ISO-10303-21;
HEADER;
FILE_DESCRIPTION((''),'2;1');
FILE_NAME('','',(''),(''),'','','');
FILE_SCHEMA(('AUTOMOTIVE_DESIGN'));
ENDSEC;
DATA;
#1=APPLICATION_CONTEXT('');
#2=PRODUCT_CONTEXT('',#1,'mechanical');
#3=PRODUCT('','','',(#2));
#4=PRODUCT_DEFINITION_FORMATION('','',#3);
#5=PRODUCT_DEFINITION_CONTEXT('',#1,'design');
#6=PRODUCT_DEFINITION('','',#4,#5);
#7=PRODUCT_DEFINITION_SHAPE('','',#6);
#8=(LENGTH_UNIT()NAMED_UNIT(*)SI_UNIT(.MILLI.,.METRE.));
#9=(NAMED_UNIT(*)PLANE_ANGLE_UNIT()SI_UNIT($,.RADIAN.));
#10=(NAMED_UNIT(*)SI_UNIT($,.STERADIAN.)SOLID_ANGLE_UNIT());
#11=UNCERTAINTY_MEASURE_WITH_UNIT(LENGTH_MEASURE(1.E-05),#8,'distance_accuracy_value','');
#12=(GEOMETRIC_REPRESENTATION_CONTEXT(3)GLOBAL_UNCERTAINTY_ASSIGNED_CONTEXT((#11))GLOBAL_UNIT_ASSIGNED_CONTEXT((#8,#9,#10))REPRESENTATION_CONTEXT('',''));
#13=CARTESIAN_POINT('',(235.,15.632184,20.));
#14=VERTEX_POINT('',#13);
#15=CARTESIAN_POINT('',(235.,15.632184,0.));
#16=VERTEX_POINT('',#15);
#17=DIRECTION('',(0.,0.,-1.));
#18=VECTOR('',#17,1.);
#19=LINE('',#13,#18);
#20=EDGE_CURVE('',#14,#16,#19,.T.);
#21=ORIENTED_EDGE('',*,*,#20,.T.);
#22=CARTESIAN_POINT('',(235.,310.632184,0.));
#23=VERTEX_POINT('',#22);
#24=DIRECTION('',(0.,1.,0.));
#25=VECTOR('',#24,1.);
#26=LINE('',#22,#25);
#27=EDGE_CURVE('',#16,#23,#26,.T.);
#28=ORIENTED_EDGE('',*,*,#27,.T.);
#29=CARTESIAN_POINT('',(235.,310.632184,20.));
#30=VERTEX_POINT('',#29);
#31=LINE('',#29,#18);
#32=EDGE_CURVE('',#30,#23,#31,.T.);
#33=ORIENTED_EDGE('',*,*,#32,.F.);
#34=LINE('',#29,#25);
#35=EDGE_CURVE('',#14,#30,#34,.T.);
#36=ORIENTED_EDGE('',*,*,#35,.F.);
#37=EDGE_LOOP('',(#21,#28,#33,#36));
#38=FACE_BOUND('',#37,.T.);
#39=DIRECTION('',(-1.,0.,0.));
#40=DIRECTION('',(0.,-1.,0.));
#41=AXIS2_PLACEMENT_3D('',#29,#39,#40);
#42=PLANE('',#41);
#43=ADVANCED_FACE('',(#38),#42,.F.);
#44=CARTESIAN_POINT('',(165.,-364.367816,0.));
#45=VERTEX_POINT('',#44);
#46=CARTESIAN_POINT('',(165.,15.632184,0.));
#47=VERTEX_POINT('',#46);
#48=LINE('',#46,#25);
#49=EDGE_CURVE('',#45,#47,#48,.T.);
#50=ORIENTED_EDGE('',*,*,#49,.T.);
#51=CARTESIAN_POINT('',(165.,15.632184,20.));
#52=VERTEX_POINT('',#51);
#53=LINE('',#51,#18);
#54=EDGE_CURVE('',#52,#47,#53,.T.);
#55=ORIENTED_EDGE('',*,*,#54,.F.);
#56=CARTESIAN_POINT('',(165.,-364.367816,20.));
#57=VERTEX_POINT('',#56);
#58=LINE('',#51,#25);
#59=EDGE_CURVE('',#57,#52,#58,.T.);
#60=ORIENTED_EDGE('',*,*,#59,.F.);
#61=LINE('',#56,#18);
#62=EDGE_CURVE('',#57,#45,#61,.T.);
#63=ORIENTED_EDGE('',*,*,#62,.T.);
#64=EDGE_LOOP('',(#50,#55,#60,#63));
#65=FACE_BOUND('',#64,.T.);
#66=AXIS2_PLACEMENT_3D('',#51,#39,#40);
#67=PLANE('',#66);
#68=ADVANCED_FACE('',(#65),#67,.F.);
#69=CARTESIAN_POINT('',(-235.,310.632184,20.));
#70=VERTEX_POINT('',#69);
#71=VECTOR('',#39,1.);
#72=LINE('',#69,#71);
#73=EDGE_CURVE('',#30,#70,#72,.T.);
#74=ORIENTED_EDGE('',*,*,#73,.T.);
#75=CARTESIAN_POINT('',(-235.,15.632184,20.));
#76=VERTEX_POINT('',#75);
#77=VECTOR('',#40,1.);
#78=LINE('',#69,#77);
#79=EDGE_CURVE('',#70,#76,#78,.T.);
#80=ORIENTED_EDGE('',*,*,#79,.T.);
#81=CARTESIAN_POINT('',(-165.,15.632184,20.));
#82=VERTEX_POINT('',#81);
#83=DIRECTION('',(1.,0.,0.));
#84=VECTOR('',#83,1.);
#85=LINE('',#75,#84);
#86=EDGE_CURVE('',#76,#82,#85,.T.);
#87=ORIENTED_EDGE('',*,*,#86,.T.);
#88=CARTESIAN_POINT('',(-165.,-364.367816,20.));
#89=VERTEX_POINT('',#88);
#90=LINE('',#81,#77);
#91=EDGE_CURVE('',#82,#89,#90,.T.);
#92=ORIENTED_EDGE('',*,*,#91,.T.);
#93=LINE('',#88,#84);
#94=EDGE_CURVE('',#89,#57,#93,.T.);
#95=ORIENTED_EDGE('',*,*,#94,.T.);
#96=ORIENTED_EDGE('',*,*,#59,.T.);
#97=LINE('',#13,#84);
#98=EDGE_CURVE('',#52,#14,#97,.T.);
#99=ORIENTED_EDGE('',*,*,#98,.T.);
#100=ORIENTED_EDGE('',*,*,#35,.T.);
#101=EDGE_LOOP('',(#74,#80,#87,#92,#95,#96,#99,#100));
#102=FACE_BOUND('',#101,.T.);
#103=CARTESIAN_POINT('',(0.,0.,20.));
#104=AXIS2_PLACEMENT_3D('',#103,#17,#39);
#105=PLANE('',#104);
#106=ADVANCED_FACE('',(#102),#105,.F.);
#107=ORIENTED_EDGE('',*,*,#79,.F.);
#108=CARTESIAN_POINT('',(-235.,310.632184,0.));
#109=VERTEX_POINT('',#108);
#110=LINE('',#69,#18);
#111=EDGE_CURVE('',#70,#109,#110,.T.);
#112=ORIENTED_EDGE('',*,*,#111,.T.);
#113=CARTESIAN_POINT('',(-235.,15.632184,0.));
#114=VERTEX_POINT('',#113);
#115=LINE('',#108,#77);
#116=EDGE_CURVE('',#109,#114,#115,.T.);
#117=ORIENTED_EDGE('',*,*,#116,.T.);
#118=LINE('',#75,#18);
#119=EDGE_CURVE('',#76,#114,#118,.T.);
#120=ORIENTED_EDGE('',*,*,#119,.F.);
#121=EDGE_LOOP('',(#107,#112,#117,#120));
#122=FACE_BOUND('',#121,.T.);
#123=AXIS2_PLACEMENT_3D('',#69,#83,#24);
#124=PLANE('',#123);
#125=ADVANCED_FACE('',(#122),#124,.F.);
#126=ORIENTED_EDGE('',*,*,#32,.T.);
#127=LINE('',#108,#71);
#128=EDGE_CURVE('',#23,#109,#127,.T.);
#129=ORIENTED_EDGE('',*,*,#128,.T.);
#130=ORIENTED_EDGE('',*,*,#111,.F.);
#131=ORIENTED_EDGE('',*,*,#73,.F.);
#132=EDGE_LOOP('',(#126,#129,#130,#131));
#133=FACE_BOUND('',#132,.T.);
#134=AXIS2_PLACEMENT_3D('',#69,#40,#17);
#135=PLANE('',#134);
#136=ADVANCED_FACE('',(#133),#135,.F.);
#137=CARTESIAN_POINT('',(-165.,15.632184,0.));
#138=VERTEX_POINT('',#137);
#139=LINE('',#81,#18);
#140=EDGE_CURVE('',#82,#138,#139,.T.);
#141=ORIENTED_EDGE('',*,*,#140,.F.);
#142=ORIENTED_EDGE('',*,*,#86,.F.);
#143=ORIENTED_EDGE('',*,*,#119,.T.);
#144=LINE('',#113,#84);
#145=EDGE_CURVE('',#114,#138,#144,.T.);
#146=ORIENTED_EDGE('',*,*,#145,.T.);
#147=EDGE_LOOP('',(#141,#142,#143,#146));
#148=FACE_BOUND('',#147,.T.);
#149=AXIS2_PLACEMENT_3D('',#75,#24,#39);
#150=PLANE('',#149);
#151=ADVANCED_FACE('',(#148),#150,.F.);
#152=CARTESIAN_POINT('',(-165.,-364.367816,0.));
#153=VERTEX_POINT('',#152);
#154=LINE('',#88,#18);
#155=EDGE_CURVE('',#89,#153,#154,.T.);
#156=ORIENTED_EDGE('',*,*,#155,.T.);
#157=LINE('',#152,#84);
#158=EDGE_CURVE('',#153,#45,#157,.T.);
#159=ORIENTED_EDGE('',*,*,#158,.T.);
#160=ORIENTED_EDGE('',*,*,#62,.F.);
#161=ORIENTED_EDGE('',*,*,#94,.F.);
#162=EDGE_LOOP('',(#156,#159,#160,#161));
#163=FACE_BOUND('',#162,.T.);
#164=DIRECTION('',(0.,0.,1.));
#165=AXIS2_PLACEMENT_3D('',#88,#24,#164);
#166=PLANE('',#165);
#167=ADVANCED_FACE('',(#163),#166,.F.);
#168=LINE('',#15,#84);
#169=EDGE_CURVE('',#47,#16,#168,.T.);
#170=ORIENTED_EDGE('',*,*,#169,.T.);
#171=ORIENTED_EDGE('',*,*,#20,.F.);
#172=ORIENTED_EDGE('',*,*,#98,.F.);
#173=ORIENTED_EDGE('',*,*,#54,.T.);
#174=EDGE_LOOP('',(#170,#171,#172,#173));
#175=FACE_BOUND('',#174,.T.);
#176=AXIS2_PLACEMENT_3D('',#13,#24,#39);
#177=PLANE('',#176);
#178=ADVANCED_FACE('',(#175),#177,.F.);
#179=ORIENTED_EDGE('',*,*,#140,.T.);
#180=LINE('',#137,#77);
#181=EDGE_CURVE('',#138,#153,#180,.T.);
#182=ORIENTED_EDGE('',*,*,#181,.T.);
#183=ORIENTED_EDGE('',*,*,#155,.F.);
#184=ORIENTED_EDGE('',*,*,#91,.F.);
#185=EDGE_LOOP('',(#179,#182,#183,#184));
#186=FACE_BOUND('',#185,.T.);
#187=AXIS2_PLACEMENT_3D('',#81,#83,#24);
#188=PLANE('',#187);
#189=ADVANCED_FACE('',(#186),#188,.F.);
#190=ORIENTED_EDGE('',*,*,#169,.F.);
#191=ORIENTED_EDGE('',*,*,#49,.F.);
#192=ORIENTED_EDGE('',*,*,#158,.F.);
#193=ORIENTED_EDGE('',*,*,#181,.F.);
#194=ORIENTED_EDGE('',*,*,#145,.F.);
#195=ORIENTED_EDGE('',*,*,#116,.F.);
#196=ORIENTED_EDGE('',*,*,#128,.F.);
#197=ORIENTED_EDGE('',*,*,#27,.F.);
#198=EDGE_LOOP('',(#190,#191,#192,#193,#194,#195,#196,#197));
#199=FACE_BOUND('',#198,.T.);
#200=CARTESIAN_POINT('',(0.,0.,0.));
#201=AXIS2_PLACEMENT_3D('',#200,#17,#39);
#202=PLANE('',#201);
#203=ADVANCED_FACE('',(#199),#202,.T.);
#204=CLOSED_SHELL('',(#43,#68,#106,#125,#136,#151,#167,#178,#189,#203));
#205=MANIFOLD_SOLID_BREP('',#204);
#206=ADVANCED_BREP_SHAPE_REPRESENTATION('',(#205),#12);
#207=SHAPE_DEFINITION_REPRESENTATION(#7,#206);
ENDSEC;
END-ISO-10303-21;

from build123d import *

# Parameters (mm, degrees)
BOSS_EXTRUDE1_DEPTH = 20


with BuildPart() as part:
    # Sketch2 → Boss-Extrude1 (new body)
    with BuildSketch(Plane.XY):
        Polygon((-235, 310.632183908), (235, 310.632183908), (235, 15.632183908), (165, 15.632183908), (165, -364.367816092), (-165, -364.367816092), (-165, 15.632183908), (-235, 15.632183908), align=None)
    extrude(amount=BOSS_EXTRUDE1_DEPTH)


solid = part.part
